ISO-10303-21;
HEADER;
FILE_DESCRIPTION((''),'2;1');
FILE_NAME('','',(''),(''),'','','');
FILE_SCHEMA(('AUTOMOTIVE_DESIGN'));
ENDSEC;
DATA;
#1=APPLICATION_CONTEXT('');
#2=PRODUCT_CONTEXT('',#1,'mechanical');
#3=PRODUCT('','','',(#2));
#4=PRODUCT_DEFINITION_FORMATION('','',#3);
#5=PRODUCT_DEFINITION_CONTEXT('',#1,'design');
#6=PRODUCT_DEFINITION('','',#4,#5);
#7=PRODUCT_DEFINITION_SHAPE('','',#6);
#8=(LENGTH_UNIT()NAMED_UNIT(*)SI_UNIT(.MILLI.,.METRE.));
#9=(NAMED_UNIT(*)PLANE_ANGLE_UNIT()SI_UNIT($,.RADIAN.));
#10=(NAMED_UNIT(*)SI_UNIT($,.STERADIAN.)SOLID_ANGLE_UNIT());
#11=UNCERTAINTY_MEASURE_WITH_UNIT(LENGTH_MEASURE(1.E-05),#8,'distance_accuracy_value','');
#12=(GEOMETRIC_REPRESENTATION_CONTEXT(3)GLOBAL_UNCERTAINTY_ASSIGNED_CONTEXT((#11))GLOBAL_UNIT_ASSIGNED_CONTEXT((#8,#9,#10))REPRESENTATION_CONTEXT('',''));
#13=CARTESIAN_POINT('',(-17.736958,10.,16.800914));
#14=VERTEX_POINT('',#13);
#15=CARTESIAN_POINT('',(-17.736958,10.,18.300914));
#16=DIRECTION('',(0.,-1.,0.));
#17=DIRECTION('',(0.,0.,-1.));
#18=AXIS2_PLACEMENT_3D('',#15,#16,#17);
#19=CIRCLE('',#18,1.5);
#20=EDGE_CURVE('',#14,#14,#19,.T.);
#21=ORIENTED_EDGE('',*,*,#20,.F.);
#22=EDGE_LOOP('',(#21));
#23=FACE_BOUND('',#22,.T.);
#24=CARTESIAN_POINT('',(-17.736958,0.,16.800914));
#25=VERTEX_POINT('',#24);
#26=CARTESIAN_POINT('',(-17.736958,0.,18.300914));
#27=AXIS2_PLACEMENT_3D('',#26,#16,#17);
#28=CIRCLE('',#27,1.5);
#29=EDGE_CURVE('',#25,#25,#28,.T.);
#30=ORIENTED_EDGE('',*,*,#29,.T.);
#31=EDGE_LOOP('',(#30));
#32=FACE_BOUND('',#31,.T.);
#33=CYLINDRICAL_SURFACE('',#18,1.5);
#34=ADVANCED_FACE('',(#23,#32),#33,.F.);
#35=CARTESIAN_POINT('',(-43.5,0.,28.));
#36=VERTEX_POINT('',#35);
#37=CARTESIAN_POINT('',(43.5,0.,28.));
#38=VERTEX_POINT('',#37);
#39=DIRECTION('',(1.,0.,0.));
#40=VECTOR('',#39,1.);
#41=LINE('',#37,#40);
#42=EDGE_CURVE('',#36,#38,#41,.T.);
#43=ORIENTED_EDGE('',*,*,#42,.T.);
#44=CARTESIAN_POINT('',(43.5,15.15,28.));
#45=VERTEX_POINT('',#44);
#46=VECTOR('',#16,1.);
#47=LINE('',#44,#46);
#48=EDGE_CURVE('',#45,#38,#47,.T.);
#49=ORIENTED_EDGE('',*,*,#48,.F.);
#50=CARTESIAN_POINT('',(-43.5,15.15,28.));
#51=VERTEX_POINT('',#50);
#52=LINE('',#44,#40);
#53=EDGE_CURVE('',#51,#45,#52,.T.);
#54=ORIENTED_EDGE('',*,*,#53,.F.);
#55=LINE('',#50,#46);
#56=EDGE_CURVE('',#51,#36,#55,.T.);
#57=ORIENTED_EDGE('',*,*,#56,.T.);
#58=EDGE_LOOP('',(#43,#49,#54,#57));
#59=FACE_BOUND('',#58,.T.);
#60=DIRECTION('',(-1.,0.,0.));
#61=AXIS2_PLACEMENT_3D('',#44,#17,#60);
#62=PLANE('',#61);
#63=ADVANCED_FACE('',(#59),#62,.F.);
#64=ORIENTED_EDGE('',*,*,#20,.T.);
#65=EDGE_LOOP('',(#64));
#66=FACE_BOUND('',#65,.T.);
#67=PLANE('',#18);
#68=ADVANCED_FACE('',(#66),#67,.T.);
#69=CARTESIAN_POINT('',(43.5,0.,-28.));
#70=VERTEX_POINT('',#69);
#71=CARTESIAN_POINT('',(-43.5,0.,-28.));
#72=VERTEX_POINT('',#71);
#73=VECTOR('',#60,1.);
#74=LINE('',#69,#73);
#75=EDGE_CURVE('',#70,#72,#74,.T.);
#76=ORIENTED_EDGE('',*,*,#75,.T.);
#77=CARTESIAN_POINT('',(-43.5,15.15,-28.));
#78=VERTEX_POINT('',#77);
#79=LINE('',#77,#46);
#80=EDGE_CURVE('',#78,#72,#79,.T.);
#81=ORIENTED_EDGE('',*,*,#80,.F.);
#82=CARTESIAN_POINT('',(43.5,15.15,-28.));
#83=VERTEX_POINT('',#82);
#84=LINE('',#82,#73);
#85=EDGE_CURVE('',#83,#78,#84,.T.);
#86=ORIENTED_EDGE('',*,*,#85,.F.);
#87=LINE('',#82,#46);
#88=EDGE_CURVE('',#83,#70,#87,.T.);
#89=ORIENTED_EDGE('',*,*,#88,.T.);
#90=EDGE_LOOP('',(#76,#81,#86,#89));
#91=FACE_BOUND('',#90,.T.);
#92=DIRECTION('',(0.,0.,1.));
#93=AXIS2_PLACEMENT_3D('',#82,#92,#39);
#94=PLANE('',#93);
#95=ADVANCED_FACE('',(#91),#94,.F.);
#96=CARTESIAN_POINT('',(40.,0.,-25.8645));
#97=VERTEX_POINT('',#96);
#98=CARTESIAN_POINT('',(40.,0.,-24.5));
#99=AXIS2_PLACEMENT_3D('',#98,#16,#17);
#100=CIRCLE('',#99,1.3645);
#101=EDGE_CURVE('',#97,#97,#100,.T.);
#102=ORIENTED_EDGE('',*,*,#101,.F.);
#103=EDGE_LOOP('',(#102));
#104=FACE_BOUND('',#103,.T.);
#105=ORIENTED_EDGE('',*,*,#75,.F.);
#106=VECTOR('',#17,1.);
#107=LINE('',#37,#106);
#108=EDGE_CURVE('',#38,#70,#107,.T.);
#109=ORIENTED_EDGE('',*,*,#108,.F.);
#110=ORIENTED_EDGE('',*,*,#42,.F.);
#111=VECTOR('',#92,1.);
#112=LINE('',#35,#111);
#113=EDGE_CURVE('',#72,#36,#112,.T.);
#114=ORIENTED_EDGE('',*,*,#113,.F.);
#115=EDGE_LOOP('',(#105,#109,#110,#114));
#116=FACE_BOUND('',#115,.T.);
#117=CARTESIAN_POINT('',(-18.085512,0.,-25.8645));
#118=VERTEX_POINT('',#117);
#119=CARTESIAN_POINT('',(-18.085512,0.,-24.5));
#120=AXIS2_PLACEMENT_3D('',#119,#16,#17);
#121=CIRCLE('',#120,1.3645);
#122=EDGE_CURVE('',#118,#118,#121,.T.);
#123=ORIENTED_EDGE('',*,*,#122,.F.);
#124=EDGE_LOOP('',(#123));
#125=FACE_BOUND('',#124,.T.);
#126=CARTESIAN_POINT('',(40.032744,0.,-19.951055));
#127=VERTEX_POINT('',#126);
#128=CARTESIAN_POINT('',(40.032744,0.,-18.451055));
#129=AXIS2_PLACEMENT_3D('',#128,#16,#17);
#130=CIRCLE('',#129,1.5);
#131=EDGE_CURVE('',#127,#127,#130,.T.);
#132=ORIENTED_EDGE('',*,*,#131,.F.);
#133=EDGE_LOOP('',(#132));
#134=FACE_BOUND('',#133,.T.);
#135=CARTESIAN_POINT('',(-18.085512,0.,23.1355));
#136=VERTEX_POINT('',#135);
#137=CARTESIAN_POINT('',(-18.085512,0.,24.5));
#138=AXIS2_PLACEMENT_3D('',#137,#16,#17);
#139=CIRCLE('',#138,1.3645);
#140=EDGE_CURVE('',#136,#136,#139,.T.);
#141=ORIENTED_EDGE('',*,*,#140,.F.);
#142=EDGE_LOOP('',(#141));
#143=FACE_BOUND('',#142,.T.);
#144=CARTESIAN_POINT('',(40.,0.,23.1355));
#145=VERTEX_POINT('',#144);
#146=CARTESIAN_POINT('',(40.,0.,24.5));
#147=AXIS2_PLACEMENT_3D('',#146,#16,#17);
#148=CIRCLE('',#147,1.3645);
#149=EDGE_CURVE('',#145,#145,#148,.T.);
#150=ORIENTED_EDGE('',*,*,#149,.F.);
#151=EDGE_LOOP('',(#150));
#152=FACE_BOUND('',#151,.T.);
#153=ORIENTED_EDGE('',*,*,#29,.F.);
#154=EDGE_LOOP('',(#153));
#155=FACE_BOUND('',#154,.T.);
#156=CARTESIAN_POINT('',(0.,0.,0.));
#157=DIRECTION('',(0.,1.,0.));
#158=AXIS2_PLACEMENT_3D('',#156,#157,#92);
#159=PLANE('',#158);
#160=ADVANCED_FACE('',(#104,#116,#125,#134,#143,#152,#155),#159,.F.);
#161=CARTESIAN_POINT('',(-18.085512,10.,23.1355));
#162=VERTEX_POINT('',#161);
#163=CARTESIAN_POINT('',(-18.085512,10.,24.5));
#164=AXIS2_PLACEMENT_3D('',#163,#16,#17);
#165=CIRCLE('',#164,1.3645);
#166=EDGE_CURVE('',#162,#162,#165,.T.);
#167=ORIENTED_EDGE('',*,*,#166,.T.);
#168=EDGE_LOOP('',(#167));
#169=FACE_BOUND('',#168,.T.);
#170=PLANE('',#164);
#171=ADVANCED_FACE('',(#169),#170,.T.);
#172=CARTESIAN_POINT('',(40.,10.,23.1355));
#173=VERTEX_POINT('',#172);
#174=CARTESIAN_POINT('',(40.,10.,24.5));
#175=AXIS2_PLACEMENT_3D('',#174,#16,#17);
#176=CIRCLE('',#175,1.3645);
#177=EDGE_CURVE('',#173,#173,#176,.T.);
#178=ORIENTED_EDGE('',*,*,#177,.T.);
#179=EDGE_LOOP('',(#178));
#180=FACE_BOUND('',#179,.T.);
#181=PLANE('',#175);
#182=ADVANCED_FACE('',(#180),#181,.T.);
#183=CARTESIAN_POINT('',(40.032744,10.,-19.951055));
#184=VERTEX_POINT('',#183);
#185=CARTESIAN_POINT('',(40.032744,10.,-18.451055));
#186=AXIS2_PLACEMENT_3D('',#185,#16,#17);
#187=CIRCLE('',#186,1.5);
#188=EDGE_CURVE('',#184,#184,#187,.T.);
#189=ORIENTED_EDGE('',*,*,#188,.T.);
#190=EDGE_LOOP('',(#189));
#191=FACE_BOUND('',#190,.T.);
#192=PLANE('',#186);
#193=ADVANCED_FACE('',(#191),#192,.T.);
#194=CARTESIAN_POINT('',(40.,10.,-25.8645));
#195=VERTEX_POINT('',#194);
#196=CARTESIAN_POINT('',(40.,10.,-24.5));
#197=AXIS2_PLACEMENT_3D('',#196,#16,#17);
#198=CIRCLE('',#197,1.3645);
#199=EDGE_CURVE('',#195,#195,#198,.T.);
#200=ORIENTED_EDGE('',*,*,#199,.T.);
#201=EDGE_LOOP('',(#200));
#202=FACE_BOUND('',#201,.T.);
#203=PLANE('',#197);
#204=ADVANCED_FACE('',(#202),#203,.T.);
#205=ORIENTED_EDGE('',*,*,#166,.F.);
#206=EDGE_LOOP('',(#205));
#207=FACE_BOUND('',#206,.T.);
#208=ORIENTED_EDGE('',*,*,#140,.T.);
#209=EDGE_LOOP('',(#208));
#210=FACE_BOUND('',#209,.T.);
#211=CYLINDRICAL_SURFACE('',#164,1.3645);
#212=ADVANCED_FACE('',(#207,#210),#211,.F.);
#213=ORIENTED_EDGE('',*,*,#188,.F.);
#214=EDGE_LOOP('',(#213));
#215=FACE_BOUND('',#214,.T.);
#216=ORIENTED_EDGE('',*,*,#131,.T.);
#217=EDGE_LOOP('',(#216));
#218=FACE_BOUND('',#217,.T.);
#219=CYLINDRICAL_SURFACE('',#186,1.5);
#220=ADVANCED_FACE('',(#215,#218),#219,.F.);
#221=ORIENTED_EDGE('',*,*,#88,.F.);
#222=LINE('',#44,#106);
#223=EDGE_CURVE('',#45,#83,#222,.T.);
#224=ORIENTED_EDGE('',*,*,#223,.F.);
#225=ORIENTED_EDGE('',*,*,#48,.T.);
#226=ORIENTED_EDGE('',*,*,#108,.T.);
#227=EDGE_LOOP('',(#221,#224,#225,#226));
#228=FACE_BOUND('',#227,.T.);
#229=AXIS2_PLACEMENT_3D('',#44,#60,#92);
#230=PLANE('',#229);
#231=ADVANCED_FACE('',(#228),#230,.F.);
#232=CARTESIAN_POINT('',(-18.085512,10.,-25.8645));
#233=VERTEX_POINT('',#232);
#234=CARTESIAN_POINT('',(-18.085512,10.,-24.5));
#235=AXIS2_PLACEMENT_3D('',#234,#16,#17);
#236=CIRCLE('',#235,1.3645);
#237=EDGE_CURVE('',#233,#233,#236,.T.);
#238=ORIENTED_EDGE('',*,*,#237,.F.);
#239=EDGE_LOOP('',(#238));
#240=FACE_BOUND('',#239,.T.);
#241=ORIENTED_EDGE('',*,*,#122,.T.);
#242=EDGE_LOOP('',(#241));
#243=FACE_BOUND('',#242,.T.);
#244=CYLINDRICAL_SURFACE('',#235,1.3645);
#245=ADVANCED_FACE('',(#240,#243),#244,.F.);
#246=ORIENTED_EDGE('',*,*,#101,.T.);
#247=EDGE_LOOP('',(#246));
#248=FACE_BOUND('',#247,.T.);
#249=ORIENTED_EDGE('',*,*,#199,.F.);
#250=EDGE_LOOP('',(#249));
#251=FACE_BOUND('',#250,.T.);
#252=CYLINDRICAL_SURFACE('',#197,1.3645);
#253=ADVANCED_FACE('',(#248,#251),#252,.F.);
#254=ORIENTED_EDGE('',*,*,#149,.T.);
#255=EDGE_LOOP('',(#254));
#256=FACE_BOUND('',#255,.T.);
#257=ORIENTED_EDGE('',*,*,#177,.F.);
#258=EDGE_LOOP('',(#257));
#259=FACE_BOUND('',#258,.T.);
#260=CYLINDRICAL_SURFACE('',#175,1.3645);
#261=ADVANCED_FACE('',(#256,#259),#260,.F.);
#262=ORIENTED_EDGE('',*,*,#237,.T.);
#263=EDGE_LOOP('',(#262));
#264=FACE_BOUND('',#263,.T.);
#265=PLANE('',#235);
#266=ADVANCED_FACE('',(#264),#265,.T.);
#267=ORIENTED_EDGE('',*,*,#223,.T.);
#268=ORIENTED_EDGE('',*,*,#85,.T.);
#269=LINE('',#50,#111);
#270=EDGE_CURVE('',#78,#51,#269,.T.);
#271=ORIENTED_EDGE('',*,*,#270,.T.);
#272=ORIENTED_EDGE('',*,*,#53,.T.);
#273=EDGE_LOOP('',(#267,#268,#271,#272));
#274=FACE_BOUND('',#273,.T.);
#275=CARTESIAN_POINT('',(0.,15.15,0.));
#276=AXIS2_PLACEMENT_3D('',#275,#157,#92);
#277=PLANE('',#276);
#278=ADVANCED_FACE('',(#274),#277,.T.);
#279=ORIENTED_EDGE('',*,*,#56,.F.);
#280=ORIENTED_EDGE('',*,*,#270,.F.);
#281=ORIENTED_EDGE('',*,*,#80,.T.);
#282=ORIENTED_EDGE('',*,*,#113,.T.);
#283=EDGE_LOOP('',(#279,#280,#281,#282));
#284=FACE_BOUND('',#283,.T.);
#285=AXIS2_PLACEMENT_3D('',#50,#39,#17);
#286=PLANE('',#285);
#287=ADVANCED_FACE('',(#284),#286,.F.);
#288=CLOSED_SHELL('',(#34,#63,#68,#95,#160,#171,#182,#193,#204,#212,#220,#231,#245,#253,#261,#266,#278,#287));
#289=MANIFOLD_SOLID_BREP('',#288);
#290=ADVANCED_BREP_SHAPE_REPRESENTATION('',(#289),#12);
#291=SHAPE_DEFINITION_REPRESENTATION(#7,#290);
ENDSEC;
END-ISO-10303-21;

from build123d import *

# Parameters (mm, degrees)
SKETCH_1_W          = 87
SKETCH_1_H          = 56
EXTRUDE_1_DEPTH     = 15.15
SKETCH_2_R          = 1.364499713
SKETCH_2_R_2        = 1.5
CUT_EXTRUDE_1_DEPTH = 10


with BuildPart() as part:
    # Эскиз1 → Бобышка-Вытянуть1 (new body)
    with BuildSketch(Plane(origin=(0, 0, 0), x_dir=(1, 0, 0), z_dir=(0, 1, 0))):
        Rectangle(SKETCH_1_W, SKETCH_1_H)
    extrude(amount=EXTRUDE_1_DEPTH)

    # Эскиз2 → Вырез-Вытянуть1 (cut)
    with BuildSketch(Plane.XZ):
        with Locations(Location((40, 24.5, 0), (0, 0, 270))):
            Circle(SKETCH_2_R)
        with Locations(Location((40.032744033, -18.451055431, 0), (0, 0, 270))):
            Circle(SKETCH_2_R_2)
        with Locations(Location((40, -24.5, 0), (0, 0, 270))):
            Circle(SKETCH_2_R)
        with Locations(Location((-18.085512482, -24.5, 0), (0, 0, 270))):
            Circle(SKETCH_2_R)
        with Locations(Location((-17.736958402, 18.300913925, 0), (0, 0, 270))):
            Circle(SKETCH_2_R_2)
        with Locations(Location((-18.085512482, 24.5, 0), (0, 0, 270))):
            Circle(SKETCH_2_R)
    extrude(amount=-CUT_EXTRUDE_1_DEPTH, mode=Mode.SUBTRACT)


solid = part.part
